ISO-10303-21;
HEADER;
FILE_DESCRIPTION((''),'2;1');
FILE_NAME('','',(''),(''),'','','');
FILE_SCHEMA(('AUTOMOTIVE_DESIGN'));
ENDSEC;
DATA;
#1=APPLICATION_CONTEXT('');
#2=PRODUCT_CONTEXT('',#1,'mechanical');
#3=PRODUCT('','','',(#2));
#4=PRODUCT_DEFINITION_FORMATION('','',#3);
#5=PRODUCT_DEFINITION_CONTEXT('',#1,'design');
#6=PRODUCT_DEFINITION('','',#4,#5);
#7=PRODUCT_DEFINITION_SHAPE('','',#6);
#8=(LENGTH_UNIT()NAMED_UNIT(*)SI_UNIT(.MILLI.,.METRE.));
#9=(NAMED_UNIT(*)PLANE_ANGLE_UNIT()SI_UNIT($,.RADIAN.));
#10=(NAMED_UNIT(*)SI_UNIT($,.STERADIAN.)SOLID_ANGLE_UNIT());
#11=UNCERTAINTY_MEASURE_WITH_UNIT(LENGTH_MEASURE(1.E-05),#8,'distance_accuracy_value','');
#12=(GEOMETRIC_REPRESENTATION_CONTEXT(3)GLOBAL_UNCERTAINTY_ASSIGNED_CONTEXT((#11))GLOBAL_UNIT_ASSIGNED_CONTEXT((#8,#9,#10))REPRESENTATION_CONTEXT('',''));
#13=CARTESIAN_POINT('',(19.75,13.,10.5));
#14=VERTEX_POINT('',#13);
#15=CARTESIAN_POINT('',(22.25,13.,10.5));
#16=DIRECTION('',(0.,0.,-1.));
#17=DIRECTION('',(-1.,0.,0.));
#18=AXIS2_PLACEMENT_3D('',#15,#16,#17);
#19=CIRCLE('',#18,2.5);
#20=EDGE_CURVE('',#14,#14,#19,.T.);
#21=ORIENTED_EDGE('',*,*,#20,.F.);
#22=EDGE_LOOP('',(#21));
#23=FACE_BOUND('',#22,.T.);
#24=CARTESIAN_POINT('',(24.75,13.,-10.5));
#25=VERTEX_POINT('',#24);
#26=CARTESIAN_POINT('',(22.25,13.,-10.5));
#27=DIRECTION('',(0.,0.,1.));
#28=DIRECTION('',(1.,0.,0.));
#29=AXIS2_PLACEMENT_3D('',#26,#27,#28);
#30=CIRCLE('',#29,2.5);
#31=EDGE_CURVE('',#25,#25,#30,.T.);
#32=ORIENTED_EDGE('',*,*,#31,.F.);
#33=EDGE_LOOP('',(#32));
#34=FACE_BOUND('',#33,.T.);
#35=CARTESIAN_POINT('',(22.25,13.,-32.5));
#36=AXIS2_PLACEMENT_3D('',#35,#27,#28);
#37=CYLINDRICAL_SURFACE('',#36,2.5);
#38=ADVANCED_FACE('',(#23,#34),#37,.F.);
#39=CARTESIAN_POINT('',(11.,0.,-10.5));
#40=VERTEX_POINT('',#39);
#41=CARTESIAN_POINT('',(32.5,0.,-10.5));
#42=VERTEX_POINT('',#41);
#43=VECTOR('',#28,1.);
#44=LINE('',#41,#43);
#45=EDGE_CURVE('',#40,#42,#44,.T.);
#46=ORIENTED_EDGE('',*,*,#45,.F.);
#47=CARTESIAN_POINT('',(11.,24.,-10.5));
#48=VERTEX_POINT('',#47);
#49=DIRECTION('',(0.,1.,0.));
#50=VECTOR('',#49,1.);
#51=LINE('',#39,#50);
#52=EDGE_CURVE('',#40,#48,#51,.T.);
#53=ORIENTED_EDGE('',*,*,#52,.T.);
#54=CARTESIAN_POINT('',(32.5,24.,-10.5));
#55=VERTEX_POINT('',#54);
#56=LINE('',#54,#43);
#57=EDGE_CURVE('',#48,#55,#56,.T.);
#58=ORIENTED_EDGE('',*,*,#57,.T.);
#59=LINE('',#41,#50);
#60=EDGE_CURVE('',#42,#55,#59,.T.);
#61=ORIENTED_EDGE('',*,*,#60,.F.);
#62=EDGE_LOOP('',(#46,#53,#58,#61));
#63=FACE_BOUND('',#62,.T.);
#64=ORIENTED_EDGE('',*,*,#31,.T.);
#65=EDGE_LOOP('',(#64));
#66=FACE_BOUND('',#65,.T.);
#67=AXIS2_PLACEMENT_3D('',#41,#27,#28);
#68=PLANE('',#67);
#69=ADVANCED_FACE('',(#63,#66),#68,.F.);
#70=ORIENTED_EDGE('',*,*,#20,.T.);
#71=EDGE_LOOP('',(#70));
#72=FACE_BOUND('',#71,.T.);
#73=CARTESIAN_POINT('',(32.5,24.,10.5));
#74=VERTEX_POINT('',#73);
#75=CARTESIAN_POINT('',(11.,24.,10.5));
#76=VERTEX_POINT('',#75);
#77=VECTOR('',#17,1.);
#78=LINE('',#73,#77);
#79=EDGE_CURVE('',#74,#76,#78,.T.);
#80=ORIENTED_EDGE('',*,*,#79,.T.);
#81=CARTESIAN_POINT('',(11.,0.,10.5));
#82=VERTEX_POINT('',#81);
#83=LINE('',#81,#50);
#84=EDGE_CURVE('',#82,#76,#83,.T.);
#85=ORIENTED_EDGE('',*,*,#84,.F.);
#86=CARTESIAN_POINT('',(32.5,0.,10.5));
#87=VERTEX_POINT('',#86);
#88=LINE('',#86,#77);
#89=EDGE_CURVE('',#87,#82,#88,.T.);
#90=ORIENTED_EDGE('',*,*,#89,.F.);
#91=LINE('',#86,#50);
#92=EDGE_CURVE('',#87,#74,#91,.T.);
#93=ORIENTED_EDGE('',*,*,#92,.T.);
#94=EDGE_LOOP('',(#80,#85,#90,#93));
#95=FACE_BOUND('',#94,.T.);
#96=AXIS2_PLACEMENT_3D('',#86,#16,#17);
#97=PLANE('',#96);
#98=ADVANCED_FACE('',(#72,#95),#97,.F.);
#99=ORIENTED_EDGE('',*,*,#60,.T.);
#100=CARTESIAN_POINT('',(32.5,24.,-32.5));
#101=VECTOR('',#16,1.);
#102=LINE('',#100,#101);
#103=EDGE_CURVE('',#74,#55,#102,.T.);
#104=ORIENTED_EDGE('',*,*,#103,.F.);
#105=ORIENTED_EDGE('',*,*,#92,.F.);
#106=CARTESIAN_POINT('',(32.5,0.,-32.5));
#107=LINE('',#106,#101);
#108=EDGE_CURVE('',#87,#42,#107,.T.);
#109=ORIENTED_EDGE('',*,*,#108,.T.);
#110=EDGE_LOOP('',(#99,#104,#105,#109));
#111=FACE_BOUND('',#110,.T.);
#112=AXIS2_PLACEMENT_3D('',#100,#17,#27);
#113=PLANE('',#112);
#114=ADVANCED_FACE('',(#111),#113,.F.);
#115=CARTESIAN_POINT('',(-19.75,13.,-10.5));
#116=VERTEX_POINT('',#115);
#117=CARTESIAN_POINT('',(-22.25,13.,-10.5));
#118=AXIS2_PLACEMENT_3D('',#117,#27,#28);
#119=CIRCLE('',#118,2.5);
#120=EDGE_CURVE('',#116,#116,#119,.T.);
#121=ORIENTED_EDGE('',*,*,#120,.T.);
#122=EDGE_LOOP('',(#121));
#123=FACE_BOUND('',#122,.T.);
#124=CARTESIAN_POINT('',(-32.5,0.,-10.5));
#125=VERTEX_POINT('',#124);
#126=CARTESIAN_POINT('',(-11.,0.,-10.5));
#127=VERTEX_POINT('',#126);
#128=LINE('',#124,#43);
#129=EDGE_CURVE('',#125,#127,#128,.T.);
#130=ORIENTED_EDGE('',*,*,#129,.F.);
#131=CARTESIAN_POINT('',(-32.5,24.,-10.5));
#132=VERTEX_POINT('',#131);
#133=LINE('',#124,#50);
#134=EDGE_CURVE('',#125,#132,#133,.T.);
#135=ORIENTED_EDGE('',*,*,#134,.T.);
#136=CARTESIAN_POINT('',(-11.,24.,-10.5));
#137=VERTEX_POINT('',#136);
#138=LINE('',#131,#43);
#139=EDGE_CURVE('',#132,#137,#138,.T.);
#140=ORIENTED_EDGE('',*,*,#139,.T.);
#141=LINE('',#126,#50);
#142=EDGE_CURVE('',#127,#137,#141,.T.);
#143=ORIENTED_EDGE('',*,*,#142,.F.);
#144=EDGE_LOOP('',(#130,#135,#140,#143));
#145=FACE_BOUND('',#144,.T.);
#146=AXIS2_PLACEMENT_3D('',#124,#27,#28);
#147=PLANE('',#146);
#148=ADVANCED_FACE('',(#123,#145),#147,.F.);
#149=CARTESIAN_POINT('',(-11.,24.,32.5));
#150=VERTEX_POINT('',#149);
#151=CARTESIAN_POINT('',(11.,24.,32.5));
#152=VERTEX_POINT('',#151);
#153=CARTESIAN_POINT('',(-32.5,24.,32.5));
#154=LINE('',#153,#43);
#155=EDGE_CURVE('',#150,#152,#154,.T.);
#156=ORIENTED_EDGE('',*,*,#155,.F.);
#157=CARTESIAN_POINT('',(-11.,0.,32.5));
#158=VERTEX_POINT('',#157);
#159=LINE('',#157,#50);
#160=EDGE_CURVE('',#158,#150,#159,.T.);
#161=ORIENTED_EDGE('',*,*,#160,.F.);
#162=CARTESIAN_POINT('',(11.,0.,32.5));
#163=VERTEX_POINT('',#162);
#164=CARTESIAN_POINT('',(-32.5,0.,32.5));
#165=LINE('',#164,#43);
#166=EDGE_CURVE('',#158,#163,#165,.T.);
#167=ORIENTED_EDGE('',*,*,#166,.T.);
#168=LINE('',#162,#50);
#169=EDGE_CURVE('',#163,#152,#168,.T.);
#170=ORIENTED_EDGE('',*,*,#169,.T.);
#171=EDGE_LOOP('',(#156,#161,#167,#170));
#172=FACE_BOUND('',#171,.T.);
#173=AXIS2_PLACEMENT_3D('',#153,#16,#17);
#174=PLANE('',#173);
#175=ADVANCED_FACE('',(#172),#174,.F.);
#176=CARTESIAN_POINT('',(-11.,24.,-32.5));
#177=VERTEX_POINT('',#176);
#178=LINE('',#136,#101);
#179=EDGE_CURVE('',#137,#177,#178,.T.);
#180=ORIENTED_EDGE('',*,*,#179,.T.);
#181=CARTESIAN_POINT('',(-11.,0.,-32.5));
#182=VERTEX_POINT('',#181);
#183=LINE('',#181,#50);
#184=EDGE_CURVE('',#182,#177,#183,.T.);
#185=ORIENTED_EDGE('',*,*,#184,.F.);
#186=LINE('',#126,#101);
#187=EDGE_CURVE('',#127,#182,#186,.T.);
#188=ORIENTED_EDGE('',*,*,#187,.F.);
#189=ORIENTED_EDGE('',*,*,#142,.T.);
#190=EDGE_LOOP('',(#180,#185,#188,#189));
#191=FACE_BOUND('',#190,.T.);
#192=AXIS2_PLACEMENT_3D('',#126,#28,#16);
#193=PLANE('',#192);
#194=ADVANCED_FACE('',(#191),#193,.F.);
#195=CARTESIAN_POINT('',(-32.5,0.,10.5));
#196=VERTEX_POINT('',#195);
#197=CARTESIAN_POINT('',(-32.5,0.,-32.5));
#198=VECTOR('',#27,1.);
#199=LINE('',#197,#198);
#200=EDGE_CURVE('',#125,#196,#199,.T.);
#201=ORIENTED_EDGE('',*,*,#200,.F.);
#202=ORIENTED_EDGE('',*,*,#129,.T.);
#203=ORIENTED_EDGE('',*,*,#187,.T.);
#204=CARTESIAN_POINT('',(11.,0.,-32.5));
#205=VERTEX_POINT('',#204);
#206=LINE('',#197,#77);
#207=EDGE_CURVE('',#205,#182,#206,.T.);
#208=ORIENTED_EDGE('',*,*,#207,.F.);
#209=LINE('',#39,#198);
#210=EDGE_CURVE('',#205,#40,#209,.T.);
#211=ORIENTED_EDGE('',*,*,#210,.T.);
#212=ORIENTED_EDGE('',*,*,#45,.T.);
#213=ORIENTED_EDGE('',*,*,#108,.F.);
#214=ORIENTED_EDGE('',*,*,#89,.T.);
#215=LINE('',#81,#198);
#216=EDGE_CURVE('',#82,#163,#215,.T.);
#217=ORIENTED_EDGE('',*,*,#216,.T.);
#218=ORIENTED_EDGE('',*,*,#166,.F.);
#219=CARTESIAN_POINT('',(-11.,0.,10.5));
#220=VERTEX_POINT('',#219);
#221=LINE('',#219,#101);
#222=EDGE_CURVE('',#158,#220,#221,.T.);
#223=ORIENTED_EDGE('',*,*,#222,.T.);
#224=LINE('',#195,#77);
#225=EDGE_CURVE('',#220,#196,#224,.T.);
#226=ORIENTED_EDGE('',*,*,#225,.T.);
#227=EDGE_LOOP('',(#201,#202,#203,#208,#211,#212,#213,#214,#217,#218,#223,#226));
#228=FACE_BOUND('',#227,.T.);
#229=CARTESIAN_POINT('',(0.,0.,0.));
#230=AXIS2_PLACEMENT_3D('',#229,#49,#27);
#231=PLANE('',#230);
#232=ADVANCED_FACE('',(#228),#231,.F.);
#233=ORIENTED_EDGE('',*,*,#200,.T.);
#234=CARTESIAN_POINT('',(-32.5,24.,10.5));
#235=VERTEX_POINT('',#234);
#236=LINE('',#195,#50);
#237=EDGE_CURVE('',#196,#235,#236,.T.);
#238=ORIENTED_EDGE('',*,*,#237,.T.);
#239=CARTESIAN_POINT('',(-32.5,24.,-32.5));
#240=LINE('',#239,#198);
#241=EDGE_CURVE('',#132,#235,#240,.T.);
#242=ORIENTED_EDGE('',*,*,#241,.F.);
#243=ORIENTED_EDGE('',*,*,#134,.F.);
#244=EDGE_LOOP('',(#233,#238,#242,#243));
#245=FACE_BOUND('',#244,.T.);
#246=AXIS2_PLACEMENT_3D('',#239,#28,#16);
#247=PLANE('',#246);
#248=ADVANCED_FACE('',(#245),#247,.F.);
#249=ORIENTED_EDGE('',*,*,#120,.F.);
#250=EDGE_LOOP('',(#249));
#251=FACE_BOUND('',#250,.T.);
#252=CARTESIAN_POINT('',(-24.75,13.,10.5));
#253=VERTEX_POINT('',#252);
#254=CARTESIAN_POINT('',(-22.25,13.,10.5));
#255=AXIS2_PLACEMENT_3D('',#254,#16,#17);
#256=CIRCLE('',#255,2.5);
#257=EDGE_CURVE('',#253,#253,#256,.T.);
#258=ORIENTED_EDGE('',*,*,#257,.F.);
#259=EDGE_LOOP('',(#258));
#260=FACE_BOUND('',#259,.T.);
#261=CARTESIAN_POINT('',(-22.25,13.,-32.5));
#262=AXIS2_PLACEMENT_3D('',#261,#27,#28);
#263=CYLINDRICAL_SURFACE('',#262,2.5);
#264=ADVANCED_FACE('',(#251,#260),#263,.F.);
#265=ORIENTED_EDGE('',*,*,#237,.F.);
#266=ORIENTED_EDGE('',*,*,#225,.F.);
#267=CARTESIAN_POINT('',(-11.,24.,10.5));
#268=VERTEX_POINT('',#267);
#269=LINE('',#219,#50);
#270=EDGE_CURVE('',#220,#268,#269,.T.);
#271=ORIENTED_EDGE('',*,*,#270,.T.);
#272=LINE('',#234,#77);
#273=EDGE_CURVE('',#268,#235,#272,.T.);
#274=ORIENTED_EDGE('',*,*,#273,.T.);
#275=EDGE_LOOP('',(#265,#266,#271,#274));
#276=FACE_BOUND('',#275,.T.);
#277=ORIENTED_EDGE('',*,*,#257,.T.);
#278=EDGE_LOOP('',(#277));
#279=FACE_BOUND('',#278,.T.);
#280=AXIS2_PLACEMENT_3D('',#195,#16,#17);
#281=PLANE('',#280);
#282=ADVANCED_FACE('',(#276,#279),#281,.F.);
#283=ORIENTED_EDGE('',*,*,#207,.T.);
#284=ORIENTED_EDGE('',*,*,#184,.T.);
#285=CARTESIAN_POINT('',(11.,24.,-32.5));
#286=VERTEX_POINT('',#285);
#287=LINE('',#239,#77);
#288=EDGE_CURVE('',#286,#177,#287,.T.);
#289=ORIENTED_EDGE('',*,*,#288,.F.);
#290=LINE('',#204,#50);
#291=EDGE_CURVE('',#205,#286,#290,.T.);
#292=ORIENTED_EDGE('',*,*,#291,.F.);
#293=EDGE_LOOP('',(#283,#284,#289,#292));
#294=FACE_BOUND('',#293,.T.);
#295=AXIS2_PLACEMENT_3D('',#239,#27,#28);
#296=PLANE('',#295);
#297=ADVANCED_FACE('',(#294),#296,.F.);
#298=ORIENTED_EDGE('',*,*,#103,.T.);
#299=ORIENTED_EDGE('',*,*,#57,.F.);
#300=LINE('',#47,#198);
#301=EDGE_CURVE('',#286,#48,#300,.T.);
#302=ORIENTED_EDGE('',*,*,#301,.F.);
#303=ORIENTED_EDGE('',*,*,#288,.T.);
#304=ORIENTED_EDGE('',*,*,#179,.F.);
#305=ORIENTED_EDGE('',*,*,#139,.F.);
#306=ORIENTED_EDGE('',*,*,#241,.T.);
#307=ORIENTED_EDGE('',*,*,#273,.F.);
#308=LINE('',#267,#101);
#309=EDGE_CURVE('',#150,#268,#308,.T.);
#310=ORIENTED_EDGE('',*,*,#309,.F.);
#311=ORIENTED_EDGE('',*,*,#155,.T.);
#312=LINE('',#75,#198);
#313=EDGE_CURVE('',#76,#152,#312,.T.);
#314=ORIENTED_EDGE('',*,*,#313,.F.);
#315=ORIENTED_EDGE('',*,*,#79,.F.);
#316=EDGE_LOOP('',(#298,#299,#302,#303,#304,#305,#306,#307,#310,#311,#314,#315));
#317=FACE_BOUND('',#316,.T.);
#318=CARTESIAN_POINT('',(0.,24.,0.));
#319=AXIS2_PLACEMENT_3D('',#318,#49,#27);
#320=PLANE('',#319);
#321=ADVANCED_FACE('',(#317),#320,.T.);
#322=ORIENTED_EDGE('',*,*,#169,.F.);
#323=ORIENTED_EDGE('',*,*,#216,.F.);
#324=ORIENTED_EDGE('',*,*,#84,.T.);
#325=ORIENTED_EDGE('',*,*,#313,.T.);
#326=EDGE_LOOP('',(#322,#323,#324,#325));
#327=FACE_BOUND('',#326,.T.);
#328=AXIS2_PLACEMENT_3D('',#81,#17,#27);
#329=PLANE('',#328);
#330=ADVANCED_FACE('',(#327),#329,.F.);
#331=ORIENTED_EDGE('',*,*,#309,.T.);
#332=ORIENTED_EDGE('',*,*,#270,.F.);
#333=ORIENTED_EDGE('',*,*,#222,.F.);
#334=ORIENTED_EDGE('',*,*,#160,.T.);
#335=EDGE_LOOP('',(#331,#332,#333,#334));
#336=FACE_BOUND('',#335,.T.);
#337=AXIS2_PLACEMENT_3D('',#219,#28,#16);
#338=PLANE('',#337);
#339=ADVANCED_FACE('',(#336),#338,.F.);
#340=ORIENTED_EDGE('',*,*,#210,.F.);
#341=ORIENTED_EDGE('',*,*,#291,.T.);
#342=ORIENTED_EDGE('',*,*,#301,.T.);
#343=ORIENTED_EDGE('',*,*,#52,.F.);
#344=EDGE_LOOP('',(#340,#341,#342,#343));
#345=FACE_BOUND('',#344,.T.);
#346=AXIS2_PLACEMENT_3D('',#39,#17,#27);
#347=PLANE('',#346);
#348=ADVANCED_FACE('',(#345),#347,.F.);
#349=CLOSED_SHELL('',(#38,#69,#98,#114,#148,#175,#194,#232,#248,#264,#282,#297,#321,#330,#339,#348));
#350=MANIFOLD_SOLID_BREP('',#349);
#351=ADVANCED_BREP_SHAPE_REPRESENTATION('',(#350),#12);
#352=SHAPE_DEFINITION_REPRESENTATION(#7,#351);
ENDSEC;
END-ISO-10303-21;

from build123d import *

# Parameters (mm, degrees)
SKETCH1_W               = 65
SKETCH1_H               = 65
BOSS_EXTRUDE1_DEPTH     = 24
SKETCH3_W               = 21.5
SKETCH3_H               = 22
CUT_EXTRUDE2_DEPTH      = 25
SKETCH4_R               = 2.5
CUT_EXTRUDE3_DEPTH      = 33.5
CUT_EXTRUDE3_DEPTH_BACK = 33.5


with BuildPart() as part:
    # Sketch1 → Boss-Extrude1 (new body)
    with BuildSketch(Plane(origin=(0, 0, 0), x_dir=(1, 0, 0), z_dir=(0, 1, 0))):
        Rectangle(SKETCH1_W, SKETCH1_H)
    extrude(amount=BOSS_EXTRUDE1_DEPTH)

    # Sketch3 → Cut-Extrude2 (cut, through all)
    with BuildSketch(Plane(origin=(0, 24, 0), x_dir=(1, 0, 0), z_dir=(0, 1, 0))):
        with Locations((-21.75, 21.5)):
            Rectangle(SKETCH3_W, SKETCH3_H)
        with Locations((21.75, 21.5)):
            Rectangle(SKETCH3_W, SKETCH3_H)
        with Locations((21.75, -21.5)):
            Rectangle(SKETCH3_W, SKETCH3_H)
        with Locations((-21.75, -21.5)):
            Rectangle(SKETCH3_W, SKETCH3_H)
    extrude(amount=-CUT_EXTRUDE2_DEPTH, mode=Mode.SUBTRACT)

    # Sketch4 → Cut-Extrude3 (cut, two sides)
    with BuildSketch(Plane.XY) as cut_extrude3_sk:
        with Locations((-22.25, 13)):
            Circle(SKETCH4_R)
        with Locations((22.25, 13)):
            Circle(SKETCH4_R)
    extrude(amount=CUT_EXTRUDE3_DEPTH, mode=Mode.SUBTRACT)
    extrude(cut_extrude3_sk.sketch, amount=-CUT_EXTRUDE3_DEPTH_BACK, mode=Mode.SUBTRACT)


solid = part.part
